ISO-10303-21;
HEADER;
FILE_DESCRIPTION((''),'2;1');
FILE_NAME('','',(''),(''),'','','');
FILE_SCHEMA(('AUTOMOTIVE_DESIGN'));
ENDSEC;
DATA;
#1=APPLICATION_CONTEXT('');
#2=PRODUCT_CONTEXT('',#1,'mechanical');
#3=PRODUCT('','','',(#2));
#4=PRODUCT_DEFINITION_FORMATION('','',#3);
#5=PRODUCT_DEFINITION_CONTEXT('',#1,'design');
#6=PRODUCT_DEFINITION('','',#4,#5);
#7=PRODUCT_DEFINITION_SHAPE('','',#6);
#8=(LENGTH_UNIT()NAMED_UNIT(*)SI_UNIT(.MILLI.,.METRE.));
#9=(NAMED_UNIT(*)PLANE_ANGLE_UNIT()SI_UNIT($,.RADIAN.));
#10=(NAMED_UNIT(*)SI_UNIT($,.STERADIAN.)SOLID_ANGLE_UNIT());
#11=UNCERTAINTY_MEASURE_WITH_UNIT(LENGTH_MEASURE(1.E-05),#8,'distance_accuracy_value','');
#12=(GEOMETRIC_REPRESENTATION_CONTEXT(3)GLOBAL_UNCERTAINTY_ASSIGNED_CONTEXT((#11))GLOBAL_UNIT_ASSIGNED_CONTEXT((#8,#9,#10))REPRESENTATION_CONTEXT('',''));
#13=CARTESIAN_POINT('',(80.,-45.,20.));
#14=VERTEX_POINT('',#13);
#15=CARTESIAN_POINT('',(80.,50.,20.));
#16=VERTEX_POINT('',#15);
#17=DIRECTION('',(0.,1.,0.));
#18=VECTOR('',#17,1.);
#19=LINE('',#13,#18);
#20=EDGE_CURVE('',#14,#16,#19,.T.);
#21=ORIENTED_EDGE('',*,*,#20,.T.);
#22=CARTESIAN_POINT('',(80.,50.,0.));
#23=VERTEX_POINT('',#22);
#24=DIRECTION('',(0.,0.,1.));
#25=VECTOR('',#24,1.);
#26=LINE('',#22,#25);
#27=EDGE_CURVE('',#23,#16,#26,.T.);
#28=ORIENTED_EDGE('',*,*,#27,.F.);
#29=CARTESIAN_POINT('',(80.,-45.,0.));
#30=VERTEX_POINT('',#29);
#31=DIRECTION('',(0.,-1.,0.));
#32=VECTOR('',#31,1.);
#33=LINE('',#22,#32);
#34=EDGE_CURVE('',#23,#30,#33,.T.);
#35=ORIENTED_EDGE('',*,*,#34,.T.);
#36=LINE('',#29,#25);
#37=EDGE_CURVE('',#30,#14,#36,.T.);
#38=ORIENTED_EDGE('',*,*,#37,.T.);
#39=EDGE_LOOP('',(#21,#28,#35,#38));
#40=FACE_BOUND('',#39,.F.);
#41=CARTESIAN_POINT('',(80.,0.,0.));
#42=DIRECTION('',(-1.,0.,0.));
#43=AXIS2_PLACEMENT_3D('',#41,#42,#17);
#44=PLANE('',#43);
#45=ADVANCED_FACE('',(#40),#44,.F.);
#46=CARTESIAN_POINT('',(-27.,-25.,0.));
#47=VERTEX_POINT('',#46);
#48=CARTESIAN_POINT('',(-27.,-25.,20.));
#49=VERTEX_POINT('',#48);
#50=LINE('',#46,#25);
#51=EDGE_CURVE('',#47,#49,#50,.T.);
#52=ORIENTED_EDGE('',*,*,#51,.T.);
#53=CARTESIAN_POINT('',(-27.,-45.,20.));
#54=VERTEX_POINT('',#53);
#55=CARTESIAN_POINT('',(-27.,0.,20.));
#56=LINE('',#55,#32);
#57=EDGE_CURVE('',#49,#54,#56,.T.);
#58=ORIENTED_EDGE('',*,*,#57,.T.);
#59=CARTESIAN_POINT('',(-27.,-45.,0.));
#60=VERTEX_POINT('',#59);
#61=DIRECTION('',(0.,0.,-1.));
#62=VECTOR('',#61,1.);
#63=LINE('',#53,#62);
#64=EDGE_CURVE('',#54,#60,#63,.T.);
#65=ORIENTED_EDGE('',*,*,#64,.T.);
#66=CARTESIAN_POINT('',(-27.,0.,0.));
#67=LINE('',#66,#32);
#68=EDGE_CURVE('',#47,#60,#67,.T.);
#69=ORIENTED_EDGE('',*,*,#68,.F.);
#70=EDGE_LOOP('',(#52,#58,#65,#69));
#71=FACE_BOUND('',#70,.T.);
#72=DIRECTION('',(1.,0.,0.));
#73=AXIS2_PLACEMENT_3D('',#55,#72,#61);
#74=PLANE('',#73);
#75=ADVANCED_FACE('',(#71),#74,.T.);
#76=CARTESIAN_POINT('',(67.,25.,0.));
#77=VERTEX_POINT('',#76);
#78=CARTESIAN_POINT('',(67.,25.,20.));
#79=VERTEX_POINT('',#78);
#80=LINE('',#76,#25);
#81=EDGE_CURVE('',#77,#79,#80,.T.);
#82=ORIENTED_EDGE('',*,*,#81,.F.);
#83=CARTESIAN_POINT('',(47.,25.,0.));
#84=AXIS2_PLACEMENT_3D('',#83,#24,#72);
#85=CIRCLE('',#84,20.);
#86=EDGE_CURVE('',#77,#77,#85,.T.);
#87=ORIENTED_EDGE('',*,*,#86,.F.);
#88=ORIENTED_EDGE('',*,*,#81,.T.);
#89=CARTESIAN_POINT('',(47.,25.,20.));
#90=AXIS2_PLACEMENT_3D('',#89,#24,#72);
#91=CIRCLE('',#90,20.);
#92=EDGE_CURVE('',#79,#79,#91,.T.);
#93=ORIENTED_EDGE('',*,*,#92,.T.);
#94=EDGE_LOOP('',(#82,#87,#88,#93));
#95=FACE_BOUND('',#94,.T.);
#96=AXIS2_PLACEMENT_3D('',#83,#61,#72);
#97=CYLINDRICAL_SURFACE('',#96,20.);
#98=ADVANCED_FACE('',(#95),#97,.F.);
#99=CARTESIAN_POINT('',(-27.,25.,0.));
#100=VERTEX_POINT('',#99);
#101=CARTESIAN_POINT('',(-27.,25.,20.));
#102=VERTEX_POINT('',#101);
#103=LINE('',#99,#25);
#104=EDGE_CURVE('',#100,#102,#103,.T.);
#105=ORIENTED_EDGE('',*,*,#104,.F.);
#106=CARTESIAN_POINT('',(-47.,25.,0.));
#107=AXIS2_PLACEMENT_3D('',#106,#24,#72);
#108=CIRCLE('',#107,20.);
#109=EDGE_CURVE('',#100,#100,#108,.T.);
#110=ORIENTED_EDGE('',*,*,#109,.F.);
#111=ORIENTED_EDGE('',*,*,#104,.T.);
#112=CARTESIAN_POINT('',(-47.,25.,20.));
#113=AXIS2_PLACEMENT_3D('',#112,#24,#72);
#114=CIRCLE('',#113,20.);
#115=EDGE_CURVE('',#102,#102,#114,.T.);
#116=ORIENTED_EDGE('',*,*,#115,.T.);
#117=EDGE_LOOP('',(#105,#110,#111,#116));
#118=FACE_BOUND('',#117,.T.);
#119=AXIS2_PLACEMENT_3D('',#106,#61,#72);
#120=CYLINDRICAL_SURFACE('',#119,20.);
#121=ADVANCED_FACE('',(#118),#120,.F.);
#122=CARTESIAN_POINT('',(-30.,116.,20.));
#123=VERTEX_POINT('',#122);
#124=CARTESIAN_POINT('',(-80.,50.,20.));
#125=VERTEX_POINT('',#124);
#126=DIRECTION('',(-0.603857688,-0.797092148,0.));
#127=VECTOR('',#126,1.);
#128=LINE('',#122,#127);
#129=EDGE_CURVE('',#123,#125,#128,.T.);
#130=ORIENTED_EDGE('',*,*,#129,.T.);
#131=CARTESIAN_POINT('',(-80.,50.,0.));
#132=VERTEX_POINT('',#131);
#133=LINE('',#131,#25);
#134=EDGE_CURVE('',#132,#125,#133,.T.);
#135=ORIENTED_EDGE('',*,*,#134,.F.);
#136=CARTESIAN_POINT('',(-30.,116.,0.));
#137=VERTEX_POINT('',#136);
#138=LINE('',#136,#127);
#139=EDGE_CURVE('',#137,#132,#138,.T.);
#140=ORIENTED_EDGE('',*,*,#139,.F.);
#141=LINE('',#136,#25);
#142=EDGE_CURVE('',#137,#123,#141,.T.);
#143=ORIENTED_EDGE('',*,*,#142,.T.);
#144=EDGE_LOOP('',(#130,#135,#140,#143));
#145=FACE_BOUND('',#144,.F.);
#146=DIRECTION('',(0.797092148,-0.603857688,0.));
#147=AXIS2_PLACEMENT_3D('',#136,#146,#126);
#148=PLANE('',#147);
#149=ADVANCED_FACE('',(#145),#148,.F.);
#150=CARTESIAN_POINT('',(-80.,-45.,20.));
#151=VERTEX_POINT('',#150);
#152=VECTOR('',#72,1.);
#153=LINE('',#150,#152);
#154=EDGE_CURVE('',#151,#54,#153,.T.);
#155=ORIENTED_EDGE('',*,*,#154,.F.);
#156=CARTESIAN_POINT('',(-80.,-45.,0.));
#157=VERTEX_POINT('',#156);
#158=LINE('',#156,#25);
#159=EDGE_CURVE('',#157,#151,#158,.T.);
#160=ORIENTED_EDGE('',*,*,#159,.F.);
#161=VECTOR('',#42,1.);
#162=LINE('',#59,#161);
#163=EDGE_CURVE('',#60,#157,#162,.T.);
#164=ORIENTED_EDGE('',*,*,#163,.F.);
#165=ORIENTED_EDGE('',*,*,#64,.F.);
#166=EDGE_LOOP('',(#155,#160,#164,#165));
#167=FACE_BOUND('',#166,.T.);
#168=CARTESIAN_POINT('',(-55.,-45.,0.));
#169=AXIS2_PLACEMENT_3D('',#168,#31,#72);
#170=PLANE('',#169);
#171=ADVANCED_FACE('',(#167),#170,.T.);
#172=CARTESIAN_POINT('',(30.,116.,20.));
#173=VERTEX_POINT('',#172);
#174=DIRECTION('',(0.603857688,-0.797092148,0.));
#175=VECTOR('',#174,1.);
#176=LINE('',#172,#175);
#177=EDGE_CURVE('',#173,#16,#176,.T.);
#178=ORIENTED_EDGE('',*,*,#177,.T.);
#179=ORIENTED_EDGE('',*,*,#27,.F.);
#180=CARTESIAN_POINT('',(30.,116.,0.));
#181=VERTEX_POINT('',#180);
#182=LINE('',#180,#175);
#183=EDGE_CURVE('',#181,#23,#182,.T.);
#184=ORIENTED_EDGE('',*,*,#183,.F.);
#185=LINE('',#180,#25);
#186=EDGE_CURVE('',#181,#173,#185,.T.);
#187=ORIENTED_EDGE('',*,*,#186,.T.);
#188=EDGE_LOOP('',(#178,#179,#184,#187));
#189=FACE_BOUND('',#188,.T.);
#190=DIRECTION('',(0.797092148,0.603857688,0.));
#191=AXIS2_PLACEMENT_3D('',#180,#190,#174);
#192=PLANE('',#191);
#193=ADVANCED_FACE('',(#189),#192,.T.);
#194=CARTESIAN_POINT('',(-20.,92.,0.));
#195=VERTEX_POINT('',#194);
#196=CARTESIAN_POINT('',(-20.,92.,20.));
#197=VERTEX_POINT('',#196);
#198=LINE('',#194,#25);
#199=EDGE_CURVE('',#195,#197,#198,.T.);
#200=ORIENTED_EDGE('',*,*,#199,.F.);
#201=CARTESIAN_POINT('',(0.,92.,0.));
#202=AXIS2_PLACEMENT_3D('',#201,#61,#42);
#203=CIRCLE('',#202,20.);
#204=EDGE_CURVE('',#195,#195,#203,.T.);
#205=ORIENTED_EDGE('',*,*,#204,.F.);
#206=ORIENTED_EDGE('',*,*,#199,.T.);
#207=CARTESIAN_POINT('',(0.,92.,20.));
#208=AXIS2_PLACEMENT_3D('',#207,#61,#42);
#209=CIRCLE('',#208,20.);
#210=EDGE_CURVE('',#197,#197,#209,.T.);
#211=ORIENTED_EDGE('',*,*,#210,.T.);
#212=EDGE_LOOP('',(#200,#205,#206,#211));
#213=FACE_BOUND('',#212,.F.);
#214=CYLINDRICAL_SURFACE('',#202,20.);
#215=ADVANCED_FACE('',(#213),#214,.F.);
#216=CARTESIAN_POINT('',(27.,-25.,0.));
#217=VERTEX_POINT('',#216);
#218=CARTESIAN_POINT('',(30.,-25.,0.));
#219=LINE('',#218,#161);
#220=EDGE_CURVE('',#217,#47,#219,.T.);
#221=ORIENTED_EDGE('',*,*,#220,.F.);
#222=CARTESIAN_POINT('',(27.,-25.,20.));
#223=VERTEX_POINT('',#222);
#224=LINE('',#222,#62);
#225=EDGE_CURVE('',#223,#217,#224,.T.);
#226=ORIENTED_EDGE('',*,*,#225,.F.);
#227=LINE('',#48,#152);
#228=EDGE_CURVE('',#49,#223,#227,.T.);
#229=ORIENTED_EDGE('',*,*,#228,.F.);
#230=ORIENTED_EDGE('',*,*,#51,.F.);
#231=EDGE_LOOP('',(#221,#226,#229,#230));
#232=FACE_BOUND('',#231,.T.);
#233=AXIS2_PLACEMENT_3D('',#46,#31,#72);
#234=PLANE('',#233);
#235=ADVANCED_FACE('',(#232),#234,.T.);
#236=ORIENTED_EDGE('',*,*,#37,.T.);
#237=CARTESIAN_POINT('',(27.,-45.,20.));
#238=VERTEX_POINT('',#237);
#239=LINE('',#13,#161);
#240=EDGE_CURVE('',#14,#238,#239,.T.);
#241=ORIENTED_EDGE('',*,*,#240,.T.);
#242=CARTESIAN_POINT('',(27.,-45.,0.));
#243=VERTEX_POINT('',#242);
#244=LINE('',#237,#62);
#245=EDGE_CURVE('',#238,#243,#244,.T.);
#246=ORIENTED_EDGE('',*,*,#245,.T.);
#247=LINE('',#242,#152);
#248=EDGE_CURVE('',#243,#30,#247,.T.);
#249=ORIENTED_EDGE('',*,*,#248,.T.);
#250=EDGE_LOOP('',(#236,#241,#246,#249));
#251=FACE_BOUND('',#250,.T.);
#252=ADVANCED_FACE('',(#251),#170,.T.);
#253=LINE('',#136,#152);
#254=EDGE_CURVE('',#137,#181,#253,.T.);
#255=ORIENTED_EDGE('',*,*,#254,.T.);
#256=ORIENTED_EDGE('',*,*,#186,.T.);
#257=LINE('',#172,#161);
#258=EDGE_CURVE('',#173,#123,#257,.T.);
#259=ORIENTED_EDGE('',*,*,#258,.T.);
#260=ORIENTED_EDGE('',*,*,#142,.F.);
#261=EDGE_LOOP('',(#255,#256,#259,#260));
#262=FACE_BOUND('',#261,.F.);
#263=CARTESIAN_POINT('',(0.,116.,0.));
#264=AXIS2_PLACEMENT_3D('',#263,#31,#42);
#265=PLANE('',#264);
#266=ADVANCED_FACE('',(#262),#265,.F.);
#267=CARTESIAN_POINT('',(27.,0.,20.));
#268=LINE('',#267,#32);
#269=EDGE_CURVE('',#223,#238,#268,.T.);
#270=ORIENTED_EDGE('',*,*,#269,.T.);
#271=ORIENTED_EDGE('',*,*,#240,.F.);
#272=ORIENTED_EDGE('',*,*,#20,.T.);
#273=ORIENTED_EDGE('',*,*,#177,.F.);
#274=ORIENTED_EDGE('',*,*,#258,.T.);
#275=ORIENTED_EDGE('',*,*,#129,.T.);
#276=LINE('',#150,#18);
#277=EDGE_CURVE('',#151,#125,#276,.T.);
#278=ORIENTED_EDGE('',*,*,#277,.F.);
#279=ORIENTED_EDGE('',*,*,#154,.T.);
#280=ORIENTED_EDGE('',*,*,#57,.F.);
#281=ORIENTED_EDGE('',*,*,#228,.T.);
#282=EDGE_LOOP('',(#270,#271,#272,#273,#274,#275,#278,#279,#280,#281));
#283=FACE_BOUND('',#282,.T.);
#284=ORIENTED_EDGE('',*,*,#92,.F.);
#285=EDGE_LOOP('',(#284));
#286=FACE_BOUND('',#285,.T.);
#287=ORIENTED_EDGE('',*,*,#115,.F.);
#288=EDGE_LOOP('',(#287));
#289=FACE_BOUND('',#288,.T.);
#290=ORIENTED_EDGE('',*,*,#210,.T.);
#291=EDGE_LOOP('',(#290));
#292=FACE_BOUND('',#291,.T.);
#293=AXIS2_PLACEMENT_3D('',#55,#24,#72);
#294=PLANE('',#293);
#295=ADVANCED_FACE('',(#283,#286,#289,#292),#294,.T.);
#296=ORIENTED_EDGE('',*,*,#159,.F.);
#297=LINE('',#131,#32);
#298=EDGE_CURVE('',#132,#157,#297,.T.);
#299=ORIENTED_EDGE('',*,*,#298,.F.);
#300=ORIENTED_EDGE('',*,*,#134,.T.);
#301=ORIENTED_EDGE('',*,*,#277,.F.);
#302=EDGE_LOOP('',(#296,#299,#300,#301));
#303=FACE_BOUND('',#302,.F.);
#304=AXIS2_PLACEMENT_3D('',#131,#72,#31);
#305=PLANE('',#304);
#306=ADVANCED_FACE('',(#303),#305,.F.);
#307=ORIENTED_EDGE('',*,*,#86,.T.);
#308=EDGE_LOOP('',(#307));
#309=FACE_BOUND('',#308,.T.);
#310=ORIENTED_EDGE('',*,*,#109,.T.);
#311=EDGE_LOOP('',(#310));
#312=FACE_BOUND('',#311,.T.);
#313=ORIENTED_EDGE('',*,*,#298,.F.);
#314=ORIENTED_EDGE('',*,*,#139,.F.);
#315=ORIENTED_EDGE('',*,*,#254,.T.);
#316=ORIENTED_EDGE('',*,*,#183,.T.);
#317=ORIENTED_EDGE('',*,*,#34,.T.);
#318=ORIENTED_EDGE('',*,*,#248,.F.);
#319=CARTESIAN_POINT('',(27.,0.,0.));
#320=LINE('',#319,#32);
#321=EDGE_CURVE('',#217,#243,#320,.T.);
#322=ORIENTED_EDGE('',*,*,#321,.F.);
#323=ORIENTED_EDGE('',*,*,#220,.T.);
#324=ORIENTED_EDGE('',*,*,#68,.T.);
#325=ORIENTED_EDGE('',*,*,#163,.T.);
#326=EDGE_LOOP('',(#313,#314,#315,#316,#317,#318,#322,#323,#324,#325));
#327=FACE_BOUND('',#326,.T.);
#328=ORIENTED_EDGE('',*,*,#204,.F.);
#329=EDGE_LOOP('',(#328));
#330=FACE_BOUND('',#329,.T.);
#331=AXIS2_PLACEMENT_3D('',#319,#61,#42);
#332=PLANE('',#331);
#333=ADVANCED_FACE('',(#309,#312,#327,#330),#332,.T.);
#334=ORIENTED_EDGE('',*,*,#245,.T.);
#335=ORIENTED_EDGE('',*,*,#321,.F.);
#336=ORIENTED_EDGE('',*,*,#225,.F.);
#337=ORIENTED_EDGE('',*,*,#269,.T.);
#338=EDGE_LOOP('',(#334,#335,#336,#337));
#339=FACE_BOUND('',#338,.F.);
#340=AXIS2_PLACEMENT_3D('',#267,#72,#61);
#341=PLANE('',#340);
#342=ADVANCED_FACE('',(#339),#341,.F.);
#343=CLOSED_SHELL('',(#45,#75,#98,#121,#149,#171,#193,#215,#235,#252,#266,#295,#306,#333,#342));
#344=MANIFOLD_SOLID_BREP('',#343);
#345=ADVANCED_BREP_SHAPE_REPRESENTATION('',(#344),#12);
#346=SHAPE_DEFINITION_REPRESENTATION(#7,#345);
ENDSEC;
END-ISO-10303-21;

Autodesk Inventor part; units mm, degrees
ref_plane "YZ Plane" through (0, 0, 0) normal (1, 0, 0) x (0, 1, 0)
ref_plane "XZ Plane" through (0, 0, 0) normal (0, 1, 0) x (-1, 0, 0)
ref_plane "XY Plane" through (0, 0, 0) normal (0, 0, 1) x (1, 0, 0)
sketch "Sketch1" plane through (0, 0, 0) normal (0, 0, 1) x (1, 0, 0)
  line L0 (-80, 0) -> (80, 0)
  line L1 (80, 0) -> (80, 50)
  line L2 (-80, 50) -> (-80, 0)
  line L3 (0, 116) -> (30, 116)
  line L4 (30, 116) -> (-30, 116)
  line L5 (-30, 116) -> (-80, 50)
  line L6 (30, 116) -> (80, 50)
  circle A0 centre (0, 92) radius 8
  circle A1 centre (0, 92) radius 12
  line L7 (80, 0) -> (80, -15)
  line L8 (80, -15) -> (55, -15)
  line L9 (55, -15) -> (55, 0)
  line L10 (-80, 0) -> (-80, -15)
  line L11 (-80, -15) -> (-55, -15)
  line L12 (-55, -15) -> (-55, 0)
  circle A2 centre (47, 25) radius 20
  circle A3 centre (-47, 25) radius 20
  circle A4 centre (0, 92) radius 20
  point P0 (0, 0)
  dimension "d0" = 160
  dimension "d1" = 50
  dimension "d3" = 60
  dimension "d4" = 16
  dimension "d5" = 24
  dimension "d6" = 15
  dimension "d7" = 25
  dimension "d12" = 40
  dimension "d13" = 40
  dimension "d21" = 40
extrude "Extrusion1" add sketch "Sketch1" along normal blind 20 contours L2 L5 L4 L3 L6 L1 L0 | L0 L12 L11 L10 | L0 L7 L8 L9 | A1 | A4
sketch "Sketch5" plane through (0, 0, 0) normal (0, 0, -1) x (-1, 0, 0)
  circle A0 centre (0, 92) radius 8 projected
  circle A1 centre (0, 92) radius 20
  point P0 (0, 0)
  dimension "d22" = 40
extrude "Extrusion4" cut sketch "Sketch5" against normal blind 20
sketch "Sketch6" plane through (-55, 0, 0) normal (0, -1, 0) x (1, 0, 0)
  point P0 (55, 0)
sketch "Sketch7" plane through (-55, 0, 0) normal (0, -1, 0) x (1, 0, 0)
  line L0 (-25, 0) -> (-25, 20) projected
  line L1 (-12, 0) -> (28, 0) projected
  line L2 (-25, 20) -> (28, 20)
  line L3 (28, 20) -> (28, 0)
  line L4 (28, 0) -> (-25, 0)
  line L5 (-25, 0) -> (-25, 20)
  line L6 (135, 0) -> (135, 20) projected
  line L7 (135, 20) -> (82, 20)
  line L8 (82, 20) -> (82, 0)
  line L9 (82, 0) -> (135, 0)
  line L10 (135, 0) -> (135, 20)
  point P0 (55, 0)
  dimension "d25" = 53
extrude "Extrusion5" add sketch "Sketch7" along normal blind 45
sketch "Sketch8" plane through (-27, 0, 0) normal (0, -1, 0) x (1, 0, 0)
  line L0 (-40, 20) -> (0, 20) projected
  line L1 (57, 0) -> (-3, 0) projected
  line L2 (0, 20) -> (54, 20)
  line L3 (54, 20) -> (54, 0)
  line L4 (54, 0) -> (0, 0)
  line L5 (0, 0) -> (0, 20)
  point P0 (27, 0)
extrude "Extrusion6" add sketch "Sketch8" along normal blind 25
properties part number "Project_support_stand"
